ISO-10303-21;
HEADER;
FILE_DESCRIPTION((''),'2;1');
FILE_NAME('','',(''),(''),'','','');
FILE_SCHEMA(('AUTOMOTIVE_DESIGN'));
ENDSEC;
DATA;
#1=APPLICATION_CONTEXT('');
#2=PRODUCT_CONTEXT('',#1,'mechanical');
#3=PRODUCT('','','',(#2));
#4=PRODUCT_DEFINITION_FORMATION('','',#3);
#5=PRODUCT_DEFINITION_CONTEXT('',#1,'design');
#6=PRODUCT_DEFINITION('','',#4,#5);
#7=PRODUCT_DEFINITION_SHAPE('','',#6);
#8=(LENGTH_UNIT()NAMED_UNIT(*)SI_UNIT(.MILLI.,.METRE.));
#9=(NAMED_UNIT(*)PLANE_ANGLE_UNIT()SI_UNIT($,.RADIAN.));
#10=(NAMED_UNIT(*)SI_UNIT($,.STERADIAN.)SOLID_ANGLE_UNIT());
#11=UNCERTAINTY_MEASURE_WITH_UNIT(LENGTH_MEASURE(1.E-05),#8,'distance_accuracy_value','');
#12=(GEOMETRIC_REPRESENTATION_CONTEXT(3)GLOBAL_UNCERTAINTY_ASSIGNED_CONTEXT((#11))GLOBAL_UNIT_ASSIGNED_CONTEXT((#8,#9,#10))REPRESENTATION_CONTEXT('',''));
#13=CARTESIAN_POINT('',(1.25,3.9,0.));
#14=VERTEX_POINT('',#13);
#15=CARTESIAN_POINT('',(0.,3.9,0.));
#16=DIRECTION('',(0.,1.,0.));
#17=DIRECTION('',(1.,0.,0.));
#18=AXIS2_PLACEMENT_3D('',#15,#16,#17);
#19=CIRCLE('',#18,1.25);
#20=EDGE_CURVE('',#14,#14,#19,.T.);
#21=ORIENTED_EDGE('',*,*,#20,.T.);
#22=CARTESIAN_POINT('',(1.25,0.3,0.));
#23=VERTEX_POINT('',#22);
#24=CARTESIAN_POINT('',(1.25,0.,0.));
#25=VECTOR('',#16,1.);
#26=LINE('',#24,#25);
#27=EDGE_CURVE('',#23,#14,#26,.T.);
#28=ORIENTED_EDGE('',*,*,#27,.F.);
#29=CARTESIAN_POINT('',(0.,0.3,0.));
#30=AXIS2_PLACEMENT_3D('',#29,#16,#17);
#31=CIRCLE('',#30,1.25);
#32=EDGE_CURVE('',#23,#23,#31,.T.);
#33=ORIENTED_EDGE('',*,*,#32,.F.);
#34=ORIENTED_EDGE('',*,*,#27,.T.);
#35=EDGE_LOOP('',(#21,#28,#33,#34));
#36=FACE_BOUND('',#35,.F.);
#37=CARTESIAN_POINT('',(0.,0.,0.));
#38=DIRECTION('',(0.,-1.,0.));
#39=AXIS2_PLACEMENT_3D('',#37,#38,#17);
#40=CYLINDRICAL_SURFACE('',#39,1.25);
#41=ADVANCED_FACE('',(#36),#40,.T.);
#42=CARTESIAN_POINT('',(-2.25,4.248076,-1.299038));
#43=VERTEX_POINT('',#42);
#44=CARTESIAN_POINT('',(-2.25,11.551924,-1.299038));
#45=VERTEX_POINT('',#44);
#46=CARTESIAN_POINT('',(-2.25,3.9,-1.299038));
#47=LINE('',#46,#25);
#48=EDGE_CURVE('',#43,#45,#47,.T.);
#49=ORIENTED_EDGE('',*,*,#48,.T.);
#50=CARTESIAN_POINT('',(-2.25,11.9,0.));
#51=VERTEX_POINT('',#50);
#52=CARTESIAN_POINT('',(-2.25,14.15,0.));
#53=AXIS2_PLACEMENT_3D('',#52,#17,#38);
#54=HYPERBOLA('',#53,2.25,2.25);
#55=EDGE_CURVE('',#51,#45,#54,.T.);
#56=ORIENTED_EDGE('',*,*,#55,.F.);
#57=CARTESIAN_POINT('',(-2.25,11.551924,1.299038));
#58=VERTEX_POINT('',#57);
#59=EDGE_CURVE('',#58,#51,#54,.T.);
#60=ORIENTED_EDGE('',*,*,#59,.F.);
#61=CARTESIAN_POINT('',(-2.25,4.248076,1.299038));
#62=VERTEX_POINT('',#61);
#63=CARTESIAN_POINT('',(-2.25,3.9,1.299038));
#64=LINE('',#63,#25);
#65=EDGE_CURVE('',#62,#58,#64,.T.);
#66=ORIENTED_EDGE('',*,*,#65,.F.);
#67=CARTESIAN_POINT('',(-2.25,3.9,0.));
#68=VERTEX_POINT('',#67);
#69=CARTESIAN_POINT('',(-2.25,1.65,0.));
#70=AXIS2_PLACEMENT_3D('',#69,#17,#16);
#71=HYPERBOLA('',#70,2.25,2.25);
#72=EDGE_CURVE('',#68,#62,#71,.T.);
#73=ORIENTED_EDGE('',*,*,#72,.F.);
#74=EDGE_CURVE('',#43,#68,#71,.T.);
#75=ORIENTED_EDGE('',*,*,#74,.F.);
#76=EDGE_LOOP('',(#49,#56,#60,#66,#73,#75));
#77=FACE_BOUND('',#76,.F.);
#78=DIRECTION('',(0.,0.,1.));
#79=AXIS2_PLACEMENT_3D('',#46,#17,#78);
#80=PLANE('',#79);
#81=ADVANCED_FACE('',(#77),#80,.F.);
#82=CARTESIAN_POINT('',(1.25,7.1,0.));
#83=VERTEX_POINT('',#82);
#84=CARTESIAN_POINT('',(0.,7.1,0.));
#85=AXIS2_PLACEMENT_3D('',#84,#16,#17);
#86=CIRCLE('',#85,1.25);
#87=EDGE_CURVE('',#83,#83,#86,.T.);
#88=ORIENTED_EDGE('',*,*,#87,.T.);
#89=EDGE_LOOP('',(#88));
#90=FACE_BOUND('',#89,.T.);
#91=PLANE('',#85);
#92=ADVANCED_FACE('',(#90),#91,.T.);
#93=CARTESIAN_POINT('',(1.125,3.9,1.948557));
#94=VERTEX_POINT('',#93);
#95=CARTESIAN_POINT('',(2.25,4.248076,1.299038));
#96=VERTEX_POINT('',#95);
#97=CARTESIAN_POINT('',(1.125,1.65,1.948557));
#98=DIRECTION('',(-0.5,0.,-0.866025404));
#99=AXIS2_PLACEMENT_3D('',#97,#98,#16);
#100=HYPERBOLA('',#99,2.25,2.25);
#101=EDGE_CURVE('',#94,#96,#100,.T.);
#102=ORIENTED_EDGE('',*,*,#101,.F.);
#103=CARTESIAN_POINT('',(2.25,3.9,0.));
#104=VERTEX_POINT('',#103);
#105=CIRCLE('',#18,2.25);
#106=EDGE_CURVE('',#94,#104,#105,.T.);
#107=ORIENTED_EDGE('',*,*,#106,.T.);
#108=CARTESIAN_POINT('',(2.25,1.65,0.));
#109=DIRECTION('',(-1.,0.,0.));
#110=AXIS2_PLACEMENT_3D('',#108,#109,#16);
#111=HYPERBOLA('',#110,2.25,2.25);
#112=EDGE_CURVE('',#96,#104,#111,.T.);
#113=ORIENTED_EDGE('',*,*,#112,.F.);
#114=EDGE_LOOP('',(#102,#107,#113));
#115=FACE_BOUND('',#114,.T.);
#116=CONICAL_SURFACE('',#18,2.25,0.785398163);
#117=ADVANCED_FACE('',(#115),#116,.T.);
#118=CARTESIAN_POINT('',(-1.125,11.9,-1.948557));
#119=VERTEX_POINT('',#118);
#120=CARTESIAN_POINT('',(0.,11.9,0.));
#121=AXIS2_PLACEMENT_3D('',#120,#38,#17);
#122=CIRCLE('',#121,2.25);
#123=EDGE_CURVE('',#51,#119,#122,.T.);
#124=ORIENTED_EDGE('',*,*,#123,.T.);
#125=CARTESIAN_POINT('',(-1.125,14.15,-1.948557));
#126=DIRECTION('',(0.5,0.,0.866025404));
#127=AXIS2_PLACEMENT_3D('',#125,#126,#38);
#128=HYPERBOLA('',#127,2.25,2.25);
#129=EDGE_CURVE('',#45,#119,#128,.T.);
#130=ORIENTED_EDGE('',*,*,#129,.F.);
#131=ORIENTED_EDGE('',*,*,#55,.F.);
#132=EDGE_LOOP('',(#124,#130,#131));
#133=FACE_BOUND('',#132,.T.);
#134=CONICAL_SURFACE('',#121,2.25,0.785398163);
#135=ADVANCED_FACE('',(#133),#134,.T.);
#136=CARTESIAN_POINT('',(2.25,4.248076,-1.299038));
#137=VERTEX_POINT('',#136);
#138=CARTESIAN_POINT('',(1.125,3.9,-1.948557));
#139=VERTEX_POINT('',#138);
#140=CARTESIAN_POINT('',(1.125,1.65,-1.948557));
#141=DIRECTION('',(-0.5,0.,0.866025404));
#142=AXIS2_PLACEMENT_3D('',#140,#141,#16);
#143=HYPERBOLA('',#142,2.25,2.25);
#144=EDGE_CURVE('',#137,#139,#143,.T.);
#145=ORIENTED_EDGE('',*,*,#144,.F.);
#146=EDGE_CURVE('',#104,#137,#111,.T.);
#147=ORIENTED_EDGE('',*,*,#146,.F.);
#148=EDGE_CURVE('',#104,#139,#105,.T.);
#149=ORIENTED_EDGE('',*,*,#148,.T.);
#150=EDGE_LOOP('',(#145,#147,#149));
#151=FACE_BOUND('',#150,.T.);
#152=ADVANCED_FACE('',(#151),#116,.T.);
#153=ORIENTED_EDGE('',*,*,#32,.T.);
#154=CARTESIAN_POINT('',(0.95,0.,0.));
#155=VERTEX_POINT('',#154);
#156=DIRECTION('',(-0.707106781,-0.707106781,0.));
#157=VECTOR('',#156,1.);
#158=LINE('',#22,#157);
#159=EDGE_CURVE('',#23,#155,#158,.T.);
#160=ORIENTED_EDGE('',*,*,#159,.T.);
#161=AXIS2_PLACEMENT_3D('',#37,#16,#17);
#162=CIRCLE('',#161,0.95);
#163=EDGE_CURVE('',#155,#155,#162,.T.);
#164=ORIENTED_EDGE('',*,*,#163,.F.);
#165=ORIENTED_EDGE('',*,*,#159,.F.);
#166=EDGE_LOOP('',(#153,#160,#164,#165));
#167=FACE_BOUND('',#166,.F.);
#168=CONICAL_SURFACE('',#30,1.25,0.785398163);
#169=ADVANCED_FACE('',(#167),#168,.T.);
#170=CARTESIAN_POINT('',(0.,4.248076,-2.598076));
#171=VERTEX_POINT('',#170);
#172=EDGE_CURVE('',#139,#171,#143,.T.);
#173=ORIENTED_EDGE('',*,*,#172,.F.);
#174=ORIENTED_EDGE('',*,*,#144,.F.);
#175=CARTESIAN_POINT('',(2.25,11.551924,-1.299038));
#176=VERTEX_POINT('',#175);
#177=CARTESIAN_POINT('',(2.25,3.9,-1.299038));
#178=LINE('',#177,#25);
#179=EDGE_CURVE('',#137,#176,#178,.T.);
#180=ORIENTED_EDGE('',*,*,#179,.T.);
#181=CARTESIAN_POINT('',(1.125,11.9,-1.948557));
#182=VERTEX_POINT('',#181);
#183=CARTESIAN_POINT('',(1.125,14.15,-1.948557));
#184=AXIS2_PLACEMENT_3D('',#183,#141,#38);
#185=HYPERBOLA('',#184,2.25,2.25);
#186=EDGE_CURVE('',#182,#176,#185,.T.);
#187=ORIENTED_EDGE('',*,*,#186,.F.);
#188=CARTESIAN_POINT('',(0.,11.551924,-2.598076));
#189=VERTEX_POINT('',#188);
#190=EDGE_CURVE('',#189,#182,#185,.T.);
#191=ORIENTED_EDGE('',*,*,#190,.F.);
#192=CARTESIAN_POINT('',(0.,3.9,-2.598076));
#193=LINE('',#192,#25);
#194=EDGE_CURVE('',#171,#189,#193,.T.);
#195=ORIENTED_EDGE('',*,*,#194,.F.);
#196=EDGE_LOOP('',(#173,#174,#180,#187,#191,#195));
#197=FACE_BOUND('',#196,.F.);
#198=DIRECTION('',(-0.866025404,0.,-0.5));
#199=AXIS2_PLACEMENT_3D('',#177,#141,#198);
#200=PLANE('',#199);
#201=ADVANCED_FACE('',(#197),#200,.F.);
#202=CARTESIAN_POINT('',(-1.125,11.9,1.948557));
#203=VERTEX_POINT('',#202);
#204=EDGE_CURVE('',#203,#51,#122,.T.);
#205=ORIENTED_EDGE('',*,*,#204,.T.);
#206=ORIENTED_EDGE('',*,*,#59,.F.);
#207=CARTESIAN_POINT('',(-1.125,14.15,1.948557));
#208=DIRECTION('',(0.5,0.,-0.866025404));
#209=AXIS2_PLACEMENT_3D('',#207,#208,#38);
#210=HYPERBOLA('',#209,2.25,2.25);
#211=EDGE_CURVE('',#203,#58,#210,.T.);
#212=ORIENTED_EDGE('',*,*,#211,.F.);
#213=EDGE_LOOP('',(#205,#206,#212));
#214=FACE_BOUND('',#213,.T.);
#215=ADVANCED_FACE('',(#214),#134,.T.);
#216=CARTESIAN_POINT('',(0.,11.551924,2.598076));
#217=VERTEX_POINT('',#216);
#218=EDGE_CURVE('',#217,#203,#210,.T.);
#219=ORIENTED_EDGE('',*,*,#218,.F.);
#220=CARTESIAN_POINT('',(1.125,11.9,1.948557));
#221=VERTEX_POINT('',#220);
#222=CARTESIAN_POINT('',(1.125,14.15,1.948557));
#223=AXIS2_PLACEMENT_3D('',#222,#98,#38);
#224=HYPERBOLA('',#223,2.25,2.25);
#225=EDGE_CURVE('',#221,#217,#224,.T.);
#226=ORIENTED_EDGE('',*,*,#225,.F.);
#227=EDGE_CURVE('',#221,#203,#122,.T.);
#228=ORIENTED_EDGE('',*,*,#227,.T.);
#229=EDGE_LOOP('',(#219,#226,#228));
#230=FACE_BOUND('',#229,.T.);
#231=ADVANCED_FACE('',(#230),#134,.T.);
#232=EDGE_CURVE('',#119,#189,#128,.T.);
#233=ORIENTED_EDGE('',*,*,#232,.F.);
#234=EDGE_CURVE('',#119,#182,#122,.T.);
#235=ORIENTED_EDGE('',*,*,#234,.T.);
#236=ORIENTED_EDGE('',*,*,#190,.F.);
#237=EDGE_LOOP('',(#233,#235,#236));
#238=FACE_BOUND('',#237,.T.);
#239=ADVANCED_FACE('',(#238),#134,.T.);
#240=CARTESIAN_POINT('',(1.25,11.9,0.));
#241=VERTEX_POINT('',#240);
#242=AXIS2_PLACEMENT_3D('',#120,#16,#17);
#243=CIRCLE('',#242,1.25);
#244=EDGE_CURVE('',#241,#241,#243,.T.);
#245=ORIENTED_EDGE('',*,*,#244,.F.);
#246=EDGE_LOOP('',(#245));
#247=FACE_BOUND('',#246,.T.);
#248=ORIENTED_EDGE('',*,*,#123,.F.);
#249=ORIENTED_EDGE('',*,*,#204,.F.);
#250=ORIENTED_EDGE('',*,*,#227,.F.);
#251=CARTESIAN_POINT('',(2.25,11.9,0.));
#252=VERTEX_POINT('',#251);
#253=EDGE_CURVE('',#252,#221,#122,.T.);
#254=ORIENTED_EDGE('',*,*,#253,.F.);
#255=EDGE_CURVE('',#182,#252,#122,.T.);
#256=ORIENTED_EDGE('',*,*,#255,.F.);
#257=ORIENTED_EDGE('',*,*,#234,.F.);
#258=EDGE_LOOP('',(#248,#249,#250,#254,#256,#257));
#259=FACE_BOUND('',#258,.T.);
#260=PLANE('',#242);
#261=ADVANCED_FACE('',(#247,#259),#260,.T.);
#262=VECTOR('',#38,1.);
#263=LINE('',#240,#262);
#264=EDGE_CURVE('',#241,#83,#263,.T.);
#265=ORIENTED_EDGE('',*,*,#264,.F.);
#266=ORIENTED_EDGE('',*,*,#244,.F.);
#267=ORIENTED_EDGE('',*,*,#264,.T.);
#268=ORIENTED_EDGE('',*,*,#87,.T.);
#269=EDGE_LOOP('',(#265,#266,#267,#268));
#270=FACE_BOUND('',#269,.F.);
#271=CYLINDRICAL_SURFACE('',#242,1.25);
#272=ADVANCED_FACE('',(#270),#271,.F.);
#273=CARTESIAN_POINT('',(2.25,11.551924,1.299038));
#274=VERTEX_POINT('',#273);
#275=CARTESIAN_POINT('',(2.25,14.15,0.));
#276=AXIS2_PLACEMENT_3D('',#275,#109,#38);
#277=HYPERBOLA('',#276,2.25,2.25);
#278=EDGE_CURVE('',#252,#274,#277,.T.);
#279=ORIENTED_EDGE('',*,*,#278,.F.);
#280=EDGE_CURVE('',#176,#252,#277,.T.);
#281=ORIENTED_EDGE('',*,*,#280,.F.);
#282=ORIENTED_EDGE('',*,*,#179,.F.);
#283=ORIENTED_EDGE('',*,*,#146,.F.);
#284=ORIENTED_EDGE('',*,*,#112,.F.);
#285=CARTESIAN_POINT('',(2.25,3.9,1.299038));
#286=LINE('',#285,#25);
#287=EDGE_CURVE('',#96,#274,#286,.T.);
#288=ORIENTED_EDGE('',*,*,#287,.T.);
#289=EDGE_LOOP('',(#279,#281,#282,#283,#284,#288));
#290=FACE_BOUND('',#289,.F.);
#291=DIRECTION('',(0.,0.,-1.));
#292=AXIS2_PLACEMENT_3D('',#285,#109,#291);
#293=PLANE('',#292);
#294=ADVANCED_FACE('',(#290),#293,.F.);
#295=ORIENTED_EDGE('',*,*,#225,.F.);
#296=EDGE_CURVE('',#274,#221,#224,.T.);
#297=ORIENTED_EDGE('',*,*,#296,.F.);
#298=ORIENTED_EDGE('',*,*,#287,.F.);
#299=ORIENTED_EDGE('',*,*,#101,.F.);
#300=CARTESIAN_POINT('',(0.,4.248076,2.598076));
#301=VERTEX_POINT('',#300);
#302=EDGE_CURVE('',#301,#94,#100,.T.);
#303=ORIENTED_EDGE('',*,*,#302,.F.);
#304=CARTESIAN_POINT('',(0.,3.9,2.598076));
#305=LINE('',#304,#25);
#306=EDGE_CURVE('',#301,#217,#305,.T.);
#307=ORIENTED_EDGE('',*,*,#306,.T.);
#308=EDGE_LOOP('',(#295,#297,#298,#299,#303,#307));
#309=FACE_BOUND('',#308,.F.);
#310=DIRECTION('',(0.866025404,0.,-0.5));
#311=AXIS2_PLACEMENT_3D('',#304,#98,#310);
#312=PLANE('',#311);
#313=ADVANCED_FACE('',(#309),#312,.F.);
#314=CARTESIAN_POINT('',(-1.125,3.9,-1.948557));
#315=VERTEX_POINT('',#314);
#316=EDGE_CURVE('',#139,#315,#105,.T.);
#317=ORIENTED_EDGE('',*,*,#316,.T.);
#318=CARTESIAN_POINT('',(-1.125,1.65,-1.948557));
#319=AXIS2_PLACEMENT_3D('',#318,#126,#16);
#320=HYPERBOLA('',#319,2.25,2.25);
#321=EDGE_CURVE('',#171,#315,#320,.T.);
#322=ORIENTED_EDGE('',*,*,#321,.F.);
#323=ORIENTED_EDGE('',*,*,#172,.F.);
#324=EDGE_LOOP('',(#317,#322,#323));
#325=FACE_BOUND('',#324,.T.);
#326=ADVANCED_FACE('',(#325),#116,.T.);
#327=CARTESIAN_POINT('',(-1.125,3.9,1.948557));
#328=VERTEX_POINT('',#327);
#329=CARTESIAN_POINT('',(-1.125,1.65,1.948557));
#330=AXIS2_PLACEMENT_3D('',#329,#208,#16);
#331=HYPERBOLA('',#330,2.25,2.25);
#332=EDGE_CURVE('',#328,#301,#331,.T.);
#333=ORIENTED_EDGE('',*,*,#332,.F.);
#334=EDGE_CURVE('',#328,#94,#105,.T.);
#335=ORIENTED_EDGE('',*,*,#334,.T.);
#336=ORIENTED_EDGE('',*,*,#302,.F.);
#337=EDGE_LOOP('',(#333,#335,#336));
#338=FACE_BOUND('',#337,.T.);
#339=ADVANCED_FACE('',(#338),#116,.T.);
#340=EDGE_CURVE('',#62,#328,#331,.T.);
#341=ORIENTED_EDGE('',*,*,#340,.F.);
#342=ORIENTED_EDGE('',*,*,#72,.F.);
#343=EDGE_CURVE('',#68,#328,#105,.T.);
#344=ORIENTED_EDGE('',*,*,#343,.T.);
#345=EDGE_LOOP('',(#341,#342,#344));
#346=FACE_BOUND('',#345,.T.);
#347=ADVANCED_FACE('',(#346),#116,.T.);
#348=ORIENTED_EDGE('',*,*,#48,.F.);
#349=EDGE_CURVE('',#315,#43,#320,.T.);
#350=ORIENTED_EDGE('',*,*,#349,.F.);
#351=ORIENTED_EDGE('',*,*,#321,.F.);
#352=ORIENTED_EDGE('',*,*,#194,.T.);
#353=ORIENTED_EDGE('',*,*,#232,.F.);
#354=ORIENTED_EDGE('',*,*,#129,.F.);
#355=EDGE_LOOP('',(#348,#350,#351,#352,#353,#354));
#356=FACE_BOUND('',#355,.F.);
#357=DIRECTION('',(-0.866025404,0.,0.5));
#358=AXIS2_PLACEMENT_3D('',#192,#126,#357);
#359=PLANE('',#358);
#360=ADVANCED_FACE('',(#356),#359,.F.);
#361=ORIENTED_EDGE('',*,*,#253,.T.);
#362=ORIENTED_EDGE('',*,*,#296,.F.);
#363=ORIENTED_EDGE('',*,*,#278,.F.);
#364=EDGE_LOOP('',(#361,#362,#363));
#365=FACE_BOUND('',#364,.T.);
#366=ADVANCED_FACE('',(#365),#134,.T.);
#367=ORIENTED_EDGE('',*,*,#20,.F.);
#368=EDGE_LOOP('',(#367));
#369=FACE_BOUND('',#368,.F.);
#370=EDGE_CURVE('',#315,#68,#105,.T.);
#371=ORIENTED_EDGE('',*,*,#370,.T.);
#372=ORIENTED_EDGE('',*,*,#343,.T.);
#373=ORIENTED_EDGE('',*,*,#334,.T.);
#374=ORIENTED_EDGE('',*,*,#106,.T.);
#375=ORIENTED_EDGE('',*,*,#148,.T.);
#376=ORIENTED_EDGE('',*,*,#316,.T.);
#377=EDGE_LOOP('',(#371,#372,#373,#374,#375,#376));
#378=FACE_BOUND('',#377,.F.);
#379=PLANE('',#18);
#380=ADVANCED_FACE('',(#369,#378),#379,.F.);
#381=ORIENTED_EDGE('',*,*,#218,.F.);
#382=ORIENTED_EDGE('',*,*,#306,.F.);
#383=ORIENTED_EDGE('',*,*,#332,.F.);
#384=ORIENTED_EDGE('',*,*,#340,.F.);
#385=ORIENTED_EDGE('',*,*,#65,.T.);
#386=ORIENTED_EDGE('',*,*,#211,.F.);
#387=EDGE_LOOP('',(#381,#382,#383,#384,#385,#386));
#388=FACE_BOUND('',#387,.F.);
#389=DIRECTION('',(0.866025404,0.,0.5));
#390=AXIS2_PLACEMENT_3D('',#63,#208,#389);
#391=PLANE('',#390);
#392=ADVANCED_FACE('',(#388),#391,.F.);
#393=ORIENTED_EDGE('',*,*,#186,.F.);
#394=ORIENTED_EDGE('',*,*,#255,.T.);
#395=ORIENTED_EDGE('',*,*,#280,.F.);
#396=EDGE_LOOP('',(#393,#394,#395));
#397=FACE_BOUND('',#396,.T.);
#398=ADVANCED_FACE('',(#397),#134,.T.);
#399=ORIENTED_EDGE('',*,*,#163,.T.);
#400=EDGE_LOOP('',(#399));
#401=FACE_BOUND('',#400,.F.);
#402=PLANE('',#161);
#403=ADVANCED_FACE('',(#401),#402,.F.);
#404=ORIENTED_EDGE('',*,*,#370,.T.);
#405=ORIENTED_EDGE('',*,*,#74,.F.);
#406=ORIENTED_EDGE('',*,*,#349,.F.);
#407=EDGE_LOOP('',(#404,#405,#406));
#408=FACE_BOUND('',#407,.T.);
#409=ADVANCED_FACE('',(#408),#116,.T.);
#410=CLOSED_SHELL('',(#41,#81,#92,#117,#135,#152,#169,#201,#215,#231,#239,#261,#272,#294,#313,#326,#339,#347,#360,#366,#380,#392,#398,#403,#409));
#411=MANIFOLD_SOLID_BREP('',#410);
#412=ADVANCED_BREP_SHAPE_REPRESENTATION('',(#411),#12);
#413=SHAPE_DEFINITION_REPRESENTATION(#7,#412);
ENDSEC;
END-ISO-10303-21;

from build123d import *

# Parameters (mm, degrees)
SKETCH1_R           = 1.25
BOSS_EXTRUDE1_DEPTH = 3.9
BOSS_EXTRUDE2_DEPTH = 8
SKETCH3_R           = 1.25
CUT_EXTRUDE1_DEPTH  = 4.8
SKETCH5_OUTSIDE_W   = 35.048
SKETCH5_OUTSIDE_H   = 35.744
SKETCH5_OUTSIDE_R   = 2.25
CUT_EXTRUDE2_DEPTH  = 12.9
CUT_EXTRUDE2_TAPER  = 45
SKETCH6_OUTSIDE_W   = 27.248
SKETCH6_OUTSIDE_H   = 27.944
SKETCH6_OUTSIDE_R   = 2.25
CUT_EXTRUDE3_DEPTH  = 9
CUT_EXTRUDE3_TAPER  = 45
CHAMFER1_SIZE       = 0.3


with BuildPart() as part:
    # Sketch1 → Boss-Extrude1 (new body)
    with BuildSketch(Plane(origin=(0, 0, 0), x_dir=(1, 0, 0), z_dir=(0, 1, 0))):
        Circle(SKETCH1_R)
    extrude(amount=BOSS_EXTRUDE1_DEPTH)

    # Sketch2 → Boss-Extrude2 (add)
    with BuildSketch(Plane(origin=(0, 3.9, 0), x_dir=(1, 0, 0), z_dir=(0, 1, 0))):
        Polygon((0, 2.598076211), (-2.25, 1.299038106), (-2.25, -1.299038106), (0, -2.598076211), (2.25, -1.299038106), (2.25, 1.299038106), align=None)
    extrude(amount=BOSS_EXTRUDE2_DEPTH)

    # Sketch3 → Cut-Extrude1 (cut)
    with BuildSketch(Plane(origin=(0, 11.9, 0), x_dir=(1, 0, 0), z_dir=(0, 1, 0))):
        Circle(SKETCH3_R)
    extrude(amount=-CUT_EXTRUDE1_DEPTH, mode=Mode.SUBTRACT)

    # Sketch5 outside → Cut-Extrude2 (cut, through all)
    with BuildSketch(Plane(origin=(0, 11.9, 0), x_dir=(1, 0, 0), z_dir=(0, 1, 0))):
        Rectangle(SKETCH5_OUTSIDE_W, SKETCH5_OUTSIDE_H)
        Circle(SKETCH5_OUTSIDE_R, mode=Mode.SUBTRACT)
    extrude(amount=-CUT_EXTRUDE2_DEPTH, taper=CUT_EXTRUDE2_TAPER, mode=Mode.SUBTRACT)

    # Sketch6 outside → Cut-Extrude3 (cut, through all)
    with BuildSketch(Plane.XZ.offset(-3.9)):
        Rectangle(SKETCH6_OUTSIDE_W, SKETCH6_OUTSIDE_H)
        Circle(SKETCH6_OUTSIDE_R, mode=Mode.SUBTRACT)
    extrude(amount=-CUT_EXTRUDE3_DEPTH, taper=CUT_EXTRUDE3_TAPER, mode=Mode.SUBTRACT)

    # Chamfer1
    chamfer1_edges = [part.edges().sort_by_distance(p)[0] for p in [
        (-1.25, 0, 0),
    ]]
    chamfer(chamfer1_edges, length=CHAMFER1_SIZE)


solid = part.part
